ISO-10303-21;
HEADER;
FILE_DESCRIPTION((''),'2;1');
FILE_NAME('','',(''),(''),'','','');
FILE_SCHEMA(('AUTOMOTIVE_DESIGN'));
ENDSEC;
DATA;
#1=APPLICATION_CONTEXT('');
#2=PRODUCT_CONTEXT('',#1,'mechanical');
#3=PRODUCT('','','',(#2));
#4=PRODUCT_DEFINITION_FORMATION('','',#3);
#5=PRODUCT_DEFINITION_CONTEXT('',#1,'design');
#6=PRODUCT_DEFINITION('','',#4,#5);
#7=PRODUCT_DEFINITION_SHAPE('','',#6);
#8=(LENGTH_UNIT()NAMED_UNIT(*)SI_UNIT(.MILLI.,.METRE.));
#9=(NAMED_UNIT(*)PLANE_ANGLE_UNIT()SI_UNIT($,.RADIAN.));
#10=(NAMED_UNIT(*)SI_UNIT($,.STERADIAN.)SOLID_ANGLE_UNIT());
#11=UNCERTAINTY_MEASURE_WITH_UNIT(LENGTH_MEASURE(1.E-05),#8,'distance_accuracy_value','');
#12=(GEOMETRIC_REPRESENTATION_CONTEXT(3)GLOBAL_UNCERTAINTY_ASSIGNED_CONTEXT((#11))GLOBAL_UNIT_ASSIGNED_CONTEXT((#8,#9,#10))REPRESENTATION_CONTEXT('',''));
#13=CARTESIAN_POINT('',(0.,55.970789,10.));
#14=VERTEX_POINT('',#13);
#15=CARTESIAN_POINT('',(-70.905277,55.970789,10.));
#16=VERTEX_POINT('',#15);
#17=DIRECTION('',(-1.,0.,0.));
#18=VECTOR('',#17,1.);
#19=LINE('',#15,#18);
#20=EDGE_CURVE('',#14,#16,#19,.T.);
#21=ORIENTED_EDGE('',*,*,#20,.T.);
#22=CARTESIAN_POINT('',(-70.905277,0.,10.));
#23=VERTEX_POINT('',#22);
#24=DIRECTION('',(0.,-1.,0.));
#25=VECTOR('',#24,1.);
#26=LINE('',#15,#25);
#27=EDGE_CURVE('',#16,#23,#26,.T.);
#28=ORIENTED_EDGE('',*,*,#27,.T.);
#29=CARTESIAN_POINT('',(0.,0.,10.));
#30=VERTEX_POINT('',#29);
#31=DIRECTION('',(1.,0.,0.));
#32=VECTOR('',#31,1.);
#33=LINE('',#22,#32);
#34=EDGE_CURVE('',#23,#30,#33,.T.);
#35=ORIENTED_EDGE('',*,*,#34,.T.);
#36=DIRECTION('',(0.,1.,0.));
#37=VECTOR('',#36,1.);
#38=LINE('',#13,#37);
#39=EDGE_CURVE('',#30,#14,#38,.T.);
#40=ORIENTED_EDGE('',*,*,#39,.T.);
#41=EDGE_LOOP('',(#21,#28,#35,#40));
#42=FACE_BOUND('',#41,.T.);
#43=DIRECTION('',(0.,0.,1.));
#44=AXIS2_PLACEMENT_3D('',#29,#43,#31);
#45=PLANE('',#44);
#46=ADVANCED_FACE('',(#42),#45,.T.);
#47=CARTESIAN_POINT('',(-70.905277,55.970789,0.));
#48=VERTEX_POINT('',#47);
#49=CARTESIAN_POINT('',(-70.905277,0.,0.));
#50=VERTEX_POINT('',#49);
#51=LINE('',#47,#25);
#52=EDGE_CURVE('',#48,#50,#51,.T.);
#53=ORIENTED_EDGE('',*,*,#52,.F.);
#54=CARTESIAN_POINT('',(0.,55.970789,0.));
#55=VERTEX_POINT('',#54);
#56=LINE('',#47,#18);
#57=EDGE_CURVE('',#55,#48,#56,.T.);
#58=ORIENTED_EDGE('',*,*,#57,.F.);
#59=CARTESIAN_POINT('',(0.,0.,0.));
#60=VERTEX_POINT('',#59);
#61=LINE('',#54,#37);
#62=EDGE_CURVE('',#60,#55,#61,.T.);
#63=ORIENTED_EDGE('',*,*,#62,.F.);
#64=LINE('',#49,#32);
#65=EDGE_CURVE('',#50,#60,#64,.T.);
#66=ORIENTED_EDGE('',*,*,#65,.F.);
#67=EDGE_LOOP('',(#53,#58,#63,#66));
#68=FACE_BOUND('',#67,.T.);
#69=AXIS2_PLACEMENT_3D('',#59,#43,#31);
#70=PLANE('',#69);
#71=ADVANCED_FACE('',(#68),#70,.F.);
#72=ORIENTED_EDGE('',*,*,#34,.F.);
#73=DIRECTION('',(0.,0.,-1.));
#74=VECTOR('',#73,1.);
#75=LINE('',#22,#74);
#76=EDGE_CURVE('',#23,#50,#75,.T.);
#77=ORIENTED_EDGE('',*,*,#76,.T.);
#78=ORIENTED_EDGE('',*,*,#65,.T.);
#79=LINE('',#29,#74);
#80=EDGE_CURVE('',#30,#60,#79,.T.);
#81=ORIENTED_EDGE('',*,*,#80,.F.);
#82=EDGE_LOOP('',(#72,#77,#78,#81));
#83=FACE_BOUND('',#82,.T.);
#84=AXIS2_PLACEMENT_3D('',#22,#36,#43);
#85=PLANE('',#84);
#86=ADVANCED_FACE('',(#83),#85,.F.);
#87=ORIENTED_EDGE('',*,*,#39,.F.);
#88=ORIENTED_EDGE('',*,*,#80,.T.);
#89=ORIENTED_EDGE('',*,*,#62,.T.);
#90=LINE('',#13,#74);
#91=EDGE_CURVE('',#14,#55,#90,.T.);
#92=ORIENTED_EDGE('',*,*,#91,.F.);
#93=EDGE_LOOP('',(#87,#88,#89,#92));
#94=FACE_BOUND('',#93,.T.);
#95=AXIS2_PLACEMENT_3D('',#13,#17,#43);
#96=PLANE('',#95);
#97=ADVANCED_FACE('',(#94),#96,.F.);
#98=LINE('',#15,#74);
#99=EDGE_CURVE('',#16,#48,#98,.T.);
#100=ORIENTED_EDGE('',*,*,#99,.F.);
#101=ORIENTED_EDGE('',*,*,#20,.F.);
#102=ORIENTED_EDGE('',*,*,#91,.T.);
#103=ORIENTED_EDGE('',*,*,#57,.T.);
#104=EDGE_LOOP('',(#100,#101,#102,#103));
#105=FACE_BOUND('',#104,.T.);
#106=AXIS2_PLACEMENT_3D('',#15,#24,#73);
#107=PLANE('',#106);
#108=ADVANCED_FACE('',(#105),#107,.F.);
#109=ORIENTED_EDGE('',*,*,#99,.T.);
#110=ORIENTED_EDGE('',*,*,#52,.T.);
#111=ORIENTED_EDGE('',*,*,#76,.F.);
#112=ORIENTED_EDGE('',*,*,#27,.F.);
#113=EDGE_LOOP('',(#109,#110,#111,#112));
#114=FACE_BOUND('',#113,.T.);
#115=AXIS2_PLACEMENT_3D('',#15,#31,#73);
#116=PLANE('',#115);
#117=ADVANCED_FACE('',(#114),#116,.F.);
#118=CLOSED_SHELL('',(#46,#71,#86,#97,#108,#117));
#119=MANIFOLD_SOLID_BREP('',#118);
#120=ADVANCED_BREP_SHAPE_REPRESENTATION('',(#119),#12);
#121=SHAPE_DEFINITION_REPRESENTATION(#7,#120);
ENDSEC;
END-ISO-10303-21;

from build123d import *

# Parameters (mm, degrees)
SKIZZE1_W                       = 70.905276948
SKIZZE1_H                       = 55.970788825
AUFSATZ_LINEAR_AUSTRAGEN1_DEPTH = 10


with BuildPart() as part:
    # Skizze1 → Aufsatz-Linear austragen1 (new body)
    with BuildSketch(Plane.XY):
        with Locations((-35.452638474, 27.985394413)):
            Rectangle(SKIZZE1_W, SKIZZE1_H)
    extrude(amount=AUFSATZ_LINEAR_AUSTRAGEN1_DEPTH)


solid = part.part
